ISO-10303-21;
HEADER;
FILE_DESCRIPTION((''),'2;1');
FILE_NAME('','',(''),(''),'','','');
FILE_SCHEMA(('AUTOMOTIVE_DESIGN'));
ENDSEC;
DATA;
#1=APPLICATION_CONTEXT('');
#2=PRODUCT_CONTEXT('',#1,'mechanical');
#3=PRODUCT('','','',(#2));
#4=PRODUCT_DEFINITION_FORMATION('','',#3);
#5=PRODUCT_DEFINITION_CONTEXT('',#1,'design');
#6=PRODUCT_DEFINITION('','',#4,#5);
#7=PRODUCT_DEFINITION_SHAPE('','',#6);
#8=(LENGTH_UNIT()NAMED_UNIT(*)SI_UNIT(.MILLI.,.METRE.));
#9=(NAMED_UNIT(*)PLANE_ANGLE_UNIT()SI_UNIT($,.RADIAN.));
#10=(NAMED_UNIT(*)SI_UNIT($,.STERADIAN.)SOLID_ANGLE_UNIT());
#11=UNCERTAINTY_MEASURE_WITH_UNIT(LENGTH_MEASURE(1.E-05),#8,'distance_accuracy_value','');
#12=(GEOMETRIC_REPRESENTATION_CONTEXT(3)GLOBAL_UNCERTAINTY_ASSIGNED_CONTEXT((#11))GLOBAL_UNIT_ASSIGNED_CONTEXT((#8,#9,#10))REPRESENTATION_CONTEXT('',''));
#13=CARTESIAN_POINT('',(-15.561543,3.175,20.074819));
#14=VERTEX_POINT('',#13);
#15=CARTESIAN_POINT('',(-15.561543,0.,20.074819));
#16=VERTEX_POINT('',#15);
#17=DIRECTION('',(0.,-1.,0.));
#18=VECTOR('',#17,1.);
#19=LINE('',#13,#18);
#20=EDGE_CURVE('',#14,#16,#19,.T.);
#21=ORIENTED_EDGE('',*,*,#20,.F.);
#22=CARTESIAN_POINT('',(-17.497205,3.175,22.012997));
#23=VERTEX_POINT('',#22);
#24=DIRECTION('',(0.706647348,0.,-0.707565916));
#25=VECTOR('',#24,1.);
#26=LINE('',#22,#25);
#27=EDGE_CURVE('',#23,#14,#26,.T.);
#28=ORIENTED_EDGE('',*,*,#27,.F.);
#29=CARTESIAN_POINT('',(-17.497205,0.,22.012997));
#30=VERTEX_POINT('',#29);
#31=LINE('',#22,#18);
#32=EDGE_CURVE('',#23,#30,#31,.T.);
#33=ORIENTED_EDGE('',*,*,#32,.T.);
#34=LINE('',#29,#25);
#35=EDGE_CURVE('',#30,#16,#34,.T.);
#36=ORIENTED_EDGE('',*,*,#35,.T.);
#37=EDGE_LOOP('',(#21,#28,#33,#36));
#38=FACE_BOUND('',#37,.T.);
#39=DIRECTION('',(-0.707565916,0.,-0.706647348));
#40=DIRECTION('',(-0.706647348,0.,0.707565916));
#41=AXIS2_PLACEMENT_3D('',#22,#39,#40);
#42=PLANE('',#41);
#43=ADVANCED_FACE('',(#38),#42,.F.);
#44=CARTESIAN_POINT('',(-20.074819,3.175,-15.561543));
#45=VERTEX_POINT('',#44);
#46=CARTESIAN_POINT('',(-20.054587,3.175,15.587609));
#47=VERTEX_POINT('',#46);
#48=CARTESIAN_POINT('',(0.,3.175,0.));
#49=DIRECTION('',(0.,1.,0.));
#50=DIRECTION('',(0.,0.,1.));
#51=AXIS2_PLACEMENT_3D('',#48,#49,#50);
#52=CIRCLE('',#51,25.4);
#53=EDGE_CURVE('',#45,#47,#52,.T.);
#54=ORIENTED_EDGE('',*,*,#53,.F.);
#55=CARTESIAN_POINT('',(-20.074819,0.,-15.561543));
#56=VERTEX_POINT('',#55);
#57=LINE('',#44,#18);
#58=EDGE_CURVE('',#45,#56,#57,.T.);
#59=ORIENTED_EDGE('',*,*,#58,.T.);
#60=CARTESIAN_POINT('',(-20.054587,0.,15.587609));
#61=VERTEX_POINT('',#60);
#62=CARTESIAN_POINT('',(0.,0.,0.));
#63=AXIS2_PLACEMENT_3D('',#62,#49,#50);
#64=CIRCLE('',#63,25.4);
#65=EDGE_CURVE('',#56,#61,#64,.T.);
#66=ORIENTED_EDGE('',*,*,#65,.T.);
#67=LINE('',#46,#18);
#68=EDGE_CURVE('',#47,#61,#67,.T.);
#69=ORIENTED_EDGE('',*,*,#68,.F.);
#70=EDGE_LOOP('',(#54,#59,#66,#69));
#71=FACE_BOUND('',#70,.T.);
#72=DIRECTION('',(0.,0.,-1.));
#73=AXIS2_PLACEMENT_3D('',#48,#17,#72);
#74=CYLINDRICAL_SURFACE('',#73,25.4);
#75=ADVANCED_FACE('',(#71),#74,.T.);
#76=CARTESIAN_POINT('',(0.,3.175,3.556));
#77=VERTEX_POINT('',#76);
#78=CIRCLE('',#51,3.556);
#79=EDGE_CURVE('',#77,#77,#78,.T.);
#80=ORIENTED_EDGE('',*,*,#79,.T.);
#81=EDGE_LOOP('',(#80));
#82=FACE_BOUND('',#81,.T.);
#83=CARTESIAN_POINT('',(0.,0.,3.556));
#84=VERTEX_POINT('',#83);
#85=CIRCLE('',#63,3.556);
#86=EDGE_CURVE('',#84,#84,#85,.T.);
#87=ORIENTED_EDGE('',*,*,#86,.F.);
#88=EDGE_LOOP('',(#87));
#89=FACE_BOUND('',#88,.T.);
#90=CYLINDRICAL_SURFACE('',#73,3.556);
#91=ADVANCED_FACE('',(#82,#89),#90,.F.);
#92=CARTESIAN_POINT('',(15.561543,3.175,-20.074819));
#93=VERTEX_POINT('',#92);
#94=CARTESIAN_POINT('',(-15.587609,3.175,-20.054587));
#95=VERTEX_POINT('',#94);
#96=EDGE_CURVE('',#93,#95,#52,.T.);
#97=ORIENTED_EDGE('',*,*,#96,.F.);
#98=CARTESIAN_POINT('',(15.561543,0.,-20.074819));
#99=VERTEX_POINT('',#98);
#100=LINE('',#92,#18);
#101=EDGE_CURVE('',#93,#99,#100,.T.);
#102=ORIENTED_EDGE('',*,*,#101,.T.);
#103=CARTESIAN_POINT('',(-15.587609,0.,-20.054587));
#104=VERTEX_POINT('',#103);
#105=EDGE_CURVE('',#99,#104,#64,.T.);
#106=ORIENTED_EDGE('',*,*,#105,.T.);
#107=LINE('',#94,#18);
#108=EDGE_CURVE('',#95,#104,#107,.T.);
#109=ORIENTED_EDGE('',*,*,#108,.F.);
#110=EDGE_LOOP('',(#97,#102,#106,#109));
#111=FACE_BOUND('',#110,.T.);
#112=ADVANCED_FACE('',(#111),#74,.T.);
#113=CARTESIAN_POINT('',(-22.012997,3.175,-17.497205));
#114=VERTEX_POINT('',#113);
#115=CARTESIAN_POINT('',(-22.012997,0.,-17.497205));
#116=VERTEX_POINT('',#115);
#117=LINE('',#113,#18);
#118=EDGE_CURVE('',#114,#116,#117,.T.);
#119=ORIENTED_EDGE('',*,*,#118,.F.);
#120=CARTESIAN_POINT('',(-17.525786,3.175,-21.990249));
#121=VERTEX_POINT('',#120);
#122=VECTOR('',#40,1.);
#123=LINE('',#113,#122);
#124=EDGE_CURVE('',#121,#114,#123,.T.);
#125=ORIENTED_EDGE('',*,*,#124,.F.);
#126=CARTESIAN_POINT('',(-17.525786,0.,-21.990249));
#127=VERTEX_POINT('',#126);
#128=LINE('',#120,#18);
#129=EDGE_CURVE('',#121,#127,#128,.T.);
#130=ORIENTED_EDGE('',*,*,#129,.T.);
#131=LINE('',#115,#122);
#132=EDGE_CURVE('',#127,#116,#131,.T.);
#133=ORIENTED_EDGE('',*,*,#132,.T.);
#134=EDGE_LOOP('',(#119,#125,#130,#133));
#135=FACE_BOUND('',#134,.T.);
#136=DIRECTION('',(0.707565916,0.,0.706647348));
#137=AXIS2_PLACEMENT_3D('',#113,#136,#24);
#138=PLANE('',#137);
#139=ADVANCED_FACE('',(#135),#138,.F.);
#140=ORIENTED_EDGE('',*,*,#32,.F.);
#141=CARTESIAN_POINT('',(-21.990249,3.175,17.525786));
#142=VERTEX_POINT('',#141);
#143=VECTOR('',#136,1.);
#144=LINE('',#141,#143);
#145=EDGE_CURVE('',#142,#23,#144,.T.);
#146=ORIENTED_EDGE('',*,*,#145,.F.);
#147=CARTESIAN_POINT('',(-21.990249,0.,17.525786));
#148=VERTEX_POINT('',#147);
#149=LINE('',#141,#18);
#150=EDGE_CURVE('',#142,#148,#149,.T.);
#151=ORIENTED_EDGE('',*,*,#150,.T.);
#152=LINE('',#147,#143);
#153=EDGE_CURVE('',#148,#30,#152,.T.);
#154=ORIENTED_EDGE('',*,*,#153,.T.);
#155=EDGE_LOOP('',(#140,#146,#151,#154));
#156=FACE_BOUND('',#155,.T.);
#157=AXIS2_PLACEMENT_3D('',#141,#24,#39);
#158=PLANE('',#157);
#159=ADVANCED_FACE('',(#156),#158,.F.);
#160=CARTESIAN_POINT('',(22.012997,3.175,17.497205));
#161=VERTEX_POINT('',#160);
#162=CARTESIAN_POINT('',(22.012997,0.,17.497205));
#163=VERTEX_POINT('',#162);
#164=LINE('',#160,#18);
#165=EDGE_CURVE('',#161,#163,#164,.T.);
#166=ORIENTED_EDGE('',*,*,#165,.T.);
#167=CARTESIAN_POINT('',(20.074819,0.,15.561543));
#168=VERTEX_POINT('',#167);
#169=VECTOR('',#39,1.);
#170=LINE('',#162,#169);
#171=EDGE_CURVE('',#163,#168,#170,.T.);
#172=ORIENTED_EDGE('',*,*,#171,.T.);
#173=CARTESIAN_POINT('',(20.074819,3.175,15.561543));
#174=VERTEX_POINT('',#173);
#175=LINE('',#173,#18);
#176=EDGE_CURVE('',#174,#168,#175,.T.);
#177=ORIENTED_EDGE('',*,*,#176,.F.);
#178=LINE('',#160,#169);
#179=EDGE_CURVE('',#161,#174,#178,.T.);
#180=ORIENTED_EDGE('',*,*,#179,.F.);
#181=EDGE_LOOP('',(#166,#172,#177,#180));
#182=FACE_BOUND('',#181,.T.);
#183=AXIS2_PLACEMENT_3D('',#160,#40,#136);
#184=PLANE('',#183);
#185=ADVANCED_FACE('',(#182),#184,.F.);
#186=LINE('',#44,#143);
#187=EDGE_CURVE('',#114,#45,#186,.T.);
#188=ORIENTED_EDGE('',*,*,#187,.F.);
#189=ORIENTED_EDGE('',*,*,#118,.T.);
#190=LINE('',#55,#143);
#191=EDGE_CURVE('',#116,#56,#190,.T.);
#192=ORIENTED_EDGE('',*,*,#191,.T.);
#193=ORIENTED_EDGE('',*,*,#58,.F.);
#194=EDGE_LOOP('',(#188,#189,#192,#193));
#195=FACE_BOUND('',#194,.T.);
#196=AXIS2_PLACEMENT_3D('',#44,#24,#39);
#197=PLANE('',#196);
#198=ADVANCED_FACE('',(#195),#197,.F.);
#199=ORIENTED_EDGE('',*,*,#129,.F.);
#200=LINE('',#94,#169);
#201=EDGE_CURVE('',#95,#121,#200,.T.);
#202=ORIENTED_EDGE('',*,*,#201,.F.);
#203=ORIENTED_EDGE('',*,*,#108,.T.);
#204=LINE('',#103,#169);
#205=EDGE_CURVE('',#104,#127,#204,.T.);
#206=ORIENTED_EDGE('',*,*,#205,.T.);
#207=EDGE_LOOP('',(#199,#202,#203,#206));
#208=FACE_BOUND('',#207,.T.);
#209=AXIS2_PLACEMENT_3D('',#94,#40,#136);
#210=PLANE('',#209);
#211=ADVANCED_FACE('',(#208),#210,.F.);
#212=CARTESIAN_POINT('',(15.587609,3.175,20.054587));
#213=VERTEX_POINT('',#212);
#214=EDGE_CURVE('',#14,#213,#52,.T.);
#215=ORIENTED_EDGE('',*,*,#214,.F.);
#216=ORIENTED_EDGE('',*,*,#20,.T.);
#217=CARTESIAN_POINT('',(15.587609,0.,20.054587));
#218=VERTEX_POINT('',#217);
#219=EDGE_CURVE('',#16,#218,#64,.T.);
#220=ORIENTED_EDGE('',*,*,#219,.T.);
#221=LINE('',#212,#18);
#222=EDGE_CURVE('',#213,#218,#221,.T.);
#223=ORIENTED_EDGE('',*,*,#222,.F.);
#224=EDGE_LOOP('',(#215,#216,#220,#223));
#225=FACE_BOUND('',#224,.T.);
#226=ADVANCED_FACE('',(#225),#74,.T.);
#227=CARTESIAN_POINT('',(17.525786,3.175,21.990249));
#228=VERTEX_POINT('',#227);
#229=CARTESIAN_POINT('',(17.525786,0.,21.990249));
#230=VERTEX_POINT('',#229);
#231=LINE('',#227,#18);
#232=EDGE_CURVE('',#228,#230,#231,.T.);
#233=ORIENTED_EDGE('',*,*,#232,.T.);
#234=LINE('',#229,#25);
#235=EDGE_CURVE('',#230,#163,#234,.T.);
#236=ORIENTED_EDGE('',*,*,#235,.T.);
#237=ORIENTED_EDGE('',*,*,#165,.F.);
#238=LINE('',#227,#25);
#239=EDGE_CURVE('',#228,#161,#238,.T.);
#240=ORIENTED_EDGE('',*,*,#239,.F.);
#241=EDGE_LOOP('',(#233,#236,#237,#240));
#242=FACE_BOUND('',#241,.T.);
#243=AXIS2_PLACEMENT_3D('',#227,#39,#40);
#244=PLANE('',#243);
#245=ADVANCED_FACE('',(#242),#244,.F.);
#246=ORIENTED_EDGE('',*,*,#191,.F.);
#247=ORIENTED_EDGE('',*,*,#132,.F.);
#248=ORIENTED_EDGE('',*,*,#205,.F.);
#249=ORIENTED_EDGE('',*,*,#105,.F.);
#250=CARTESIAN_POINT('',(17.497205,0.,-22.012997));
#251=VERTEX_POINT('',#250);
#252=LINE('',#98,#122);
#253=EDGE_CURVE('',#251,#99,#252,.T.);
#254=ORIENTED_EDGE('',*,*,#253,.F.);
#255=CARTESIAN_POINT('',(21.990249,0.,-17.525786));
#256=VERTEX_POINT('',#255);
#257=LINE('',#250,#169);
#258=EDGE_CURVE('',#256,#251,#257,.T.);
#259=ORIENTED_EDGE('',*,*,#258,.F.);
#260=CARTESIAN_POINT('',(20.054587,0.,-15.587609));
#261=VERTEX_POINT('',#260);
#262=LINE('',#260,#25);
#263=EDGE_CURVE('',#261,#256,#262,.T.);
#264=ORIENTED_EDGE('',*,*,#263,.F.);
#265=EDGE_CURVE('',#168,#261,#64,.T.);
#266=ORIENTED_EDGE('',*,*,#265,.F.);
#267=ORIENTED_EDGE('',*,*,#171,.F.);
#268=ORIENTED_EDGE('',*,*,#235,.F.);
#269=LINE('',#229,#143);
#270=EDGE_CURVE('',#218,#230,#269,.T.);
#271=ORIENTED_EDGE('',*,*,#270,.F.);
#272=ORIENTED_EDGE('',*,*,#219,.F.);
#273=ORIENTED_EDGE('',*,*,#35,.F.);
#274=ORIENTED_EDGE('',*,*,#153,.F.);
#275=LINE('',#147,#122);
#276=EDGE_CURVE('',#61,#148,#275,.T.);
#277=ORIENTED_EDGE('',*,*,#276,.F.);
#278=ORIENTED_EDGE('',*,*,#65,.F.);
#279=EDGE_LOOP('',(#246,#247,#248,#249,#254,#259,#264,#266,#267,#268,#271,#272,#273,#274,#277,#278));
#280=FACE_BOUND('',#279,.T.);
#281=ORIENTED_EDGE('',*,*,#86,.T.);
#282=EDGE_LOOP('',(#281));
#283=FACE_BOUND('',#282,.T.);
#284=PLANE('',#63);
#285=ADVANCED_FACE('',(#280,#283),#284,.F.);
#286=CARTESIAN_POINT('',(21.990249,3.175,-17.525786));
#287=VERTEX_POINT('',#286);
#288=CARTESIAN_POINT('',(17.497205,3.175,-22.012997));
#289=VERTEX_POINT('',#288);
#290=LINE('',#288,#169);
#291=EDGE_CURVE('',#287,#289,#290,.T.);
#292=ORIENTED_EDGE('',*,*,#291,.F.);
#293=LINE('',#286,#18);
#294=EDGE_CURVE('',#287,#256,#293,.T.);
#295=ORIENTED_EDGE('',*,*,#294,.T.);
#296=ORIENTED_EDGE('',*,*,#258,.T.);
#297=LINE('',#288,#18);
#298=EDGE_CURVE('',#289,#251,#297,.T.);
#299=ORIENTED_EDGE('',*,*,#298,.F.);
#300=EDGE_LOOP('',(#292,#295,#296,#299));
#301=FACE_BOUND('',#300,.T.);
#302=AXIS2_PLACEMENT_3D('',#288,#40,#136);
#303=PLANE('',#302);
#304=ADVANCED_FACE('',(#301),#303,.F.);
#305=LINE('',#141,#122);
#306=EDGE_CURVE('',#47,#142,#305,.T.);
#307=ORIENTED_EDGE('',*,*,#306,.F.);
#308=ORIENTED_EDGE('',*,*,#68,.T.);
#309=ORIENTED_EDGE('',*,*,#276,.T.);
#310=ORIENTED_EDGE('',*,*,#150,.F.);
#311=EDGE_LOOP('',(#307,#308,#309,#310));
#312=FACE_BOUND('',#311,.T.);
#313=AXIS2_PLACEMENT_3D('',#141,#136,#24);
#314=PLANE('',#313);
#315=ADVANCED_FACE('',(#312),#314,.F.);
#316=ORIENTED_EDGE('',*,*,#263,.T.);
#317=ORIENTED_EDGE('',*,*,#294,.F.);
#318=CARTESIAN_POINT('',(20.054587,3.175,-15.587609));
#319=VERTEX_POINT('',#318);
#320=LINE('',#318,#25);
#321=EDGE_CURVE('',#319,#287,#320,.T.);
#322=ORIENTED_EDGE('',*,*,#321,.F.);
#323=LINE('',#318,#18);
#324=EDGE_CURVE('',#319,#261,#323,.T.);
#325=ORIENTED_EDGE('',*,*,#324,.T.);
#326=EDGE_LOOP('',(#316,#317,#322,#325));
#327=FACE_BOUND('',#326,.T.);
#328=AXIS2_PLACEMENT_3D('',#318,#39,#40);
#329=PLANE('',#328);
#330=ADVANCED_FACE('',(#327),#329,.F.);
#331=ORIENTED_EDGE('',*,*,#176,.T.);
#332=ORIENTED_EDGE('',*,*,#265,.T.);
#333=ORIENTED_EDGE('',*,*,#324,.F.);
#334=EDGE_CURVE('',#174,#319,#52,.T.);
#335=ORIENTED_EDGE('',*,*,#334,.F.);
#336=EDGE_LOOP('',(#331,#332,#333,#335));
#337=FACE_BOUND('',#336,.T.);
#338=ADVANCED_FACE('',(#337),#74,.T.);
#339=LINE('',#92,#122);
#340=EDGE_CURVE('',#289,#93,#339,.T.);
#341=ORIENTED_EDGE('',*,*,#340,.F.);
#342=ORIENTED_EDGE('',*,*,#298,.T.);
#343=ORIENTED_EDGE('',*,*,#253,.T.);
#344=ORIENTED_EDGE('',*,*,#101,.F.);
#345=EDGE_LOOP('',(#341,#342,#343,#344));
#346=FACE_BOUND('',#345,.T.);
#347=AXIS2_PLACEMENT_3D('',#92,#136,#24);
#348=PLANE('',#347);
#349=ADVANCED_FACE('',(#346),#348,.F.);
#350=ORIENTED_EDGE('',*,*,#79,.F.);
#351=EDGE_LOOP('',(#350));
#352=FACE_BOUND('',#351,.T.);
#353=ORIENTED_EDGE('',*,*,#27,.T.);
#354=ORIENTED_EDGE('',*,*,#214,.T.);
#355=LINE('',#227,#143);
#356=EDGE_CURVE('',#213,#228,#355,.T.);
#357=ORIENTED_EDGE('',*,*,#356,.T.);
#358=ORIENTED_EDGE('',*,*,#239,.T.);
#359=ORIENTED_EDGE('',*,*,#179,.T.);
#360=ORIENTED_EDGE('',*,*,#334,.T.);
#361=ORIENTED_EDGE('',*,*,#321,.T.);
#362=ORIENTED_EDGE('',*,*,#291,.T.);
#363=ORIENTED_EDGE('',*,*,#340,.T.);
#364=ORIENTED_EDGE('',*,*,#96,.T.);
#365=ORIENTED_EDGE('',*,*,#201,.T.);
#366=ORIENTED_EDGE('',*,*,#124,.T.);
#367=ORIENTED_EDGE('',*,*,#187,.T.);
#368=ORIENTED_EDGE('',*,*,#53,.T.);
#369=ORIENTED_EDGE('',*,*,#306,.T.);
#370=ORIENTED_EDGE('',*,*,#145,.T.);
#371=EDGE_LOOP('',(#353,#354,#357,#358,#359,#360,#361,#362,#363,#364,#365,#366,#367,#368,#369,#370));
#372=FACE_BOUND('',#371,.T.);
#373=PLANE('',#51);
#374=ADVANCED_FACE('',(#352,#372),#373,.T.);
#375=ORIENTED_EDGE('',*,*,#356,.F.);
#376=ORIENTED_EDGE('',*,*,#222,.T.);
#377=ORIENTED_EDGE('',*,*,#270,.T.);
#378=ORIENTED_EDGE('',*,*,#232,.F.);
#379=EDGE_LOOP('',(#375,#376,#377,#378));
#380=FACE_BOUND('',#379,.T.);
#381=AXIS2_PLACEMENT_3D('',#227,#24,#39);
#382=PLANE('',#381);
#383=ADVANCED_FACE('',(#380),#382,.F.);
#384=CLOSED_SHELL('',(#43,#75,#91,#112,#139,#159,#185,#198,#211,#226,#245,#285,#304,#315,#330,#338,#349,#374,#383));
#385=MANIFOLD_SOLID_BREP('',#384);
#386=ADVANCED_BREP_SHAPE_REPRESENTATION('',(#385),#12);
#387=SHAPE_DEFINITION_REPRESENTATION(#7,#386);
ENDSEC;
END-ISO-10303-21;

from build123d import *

# Parameters (mm, degrees)
SKETCH1_R           = 3.556
BOSS_EXTRUDE1_DEPTH = 3.175


with BuildPart() as part:
    # Sketch1 → Boss-Extrude1 (new body)
    with BuildSketch(Plane(origin=(0, 0, 0), x_dir=(1, 0, 0), z_dir=(0, 1, 0))):
        with BuildLine():
            Line((17.525786369, -21.990248683), (15.587608536, -20.05458701))
            ThreePointArc((15.587608536, -20.05458701), (0.016497958, -25.399994642), (-15.561543442, -20.074819195))
            Line((-15.561543442, -20.074819195), (-17.497205115, -22.012997028))
            Line((-17.497205115, -22.012997028), (-21.990248683, -17.525786369))
            Line((-21.990248683, -17.525786369), (-20.05458701, -15.587608536))
            ThreePointArc((-20.05458701, -15.587608536), (-25.399994642, -0.016497958), (-20.074819195, 15.561543442))
            Line((-20.074819195, 15.561543442), (-22.012997028, 17.497205115))
            Line((-22.012997028, 17.497205115), (-17.525786369, 21.990248683))
            Line((-17.525786369, 21.990248683), (-15.587608536, 20.05458701))
            ThreePointArc((-15.587608536, 20.05458701), (-0.016497958, 25.399994642), (15.561543442, 20.074819195))
            Line((15.561543442, 20.074819195), (17.497205115, 22.012997028))
            Line((17.497205115, 22.012997028), (21.990248683, 17.525786369))
            Line((21.990248683, 17.525786369), (20.05458701, 15.587608536))
            ThreePointArc((20.05458701, 15.587608536), (25.399994642, 0.016497958), (20.074819195, -15.561543442))
            Line((20.074819195, -15.561543442), (22.012997028, -17.497205115))
            Line((22.012997028, -17.497205115), (17.525786369, -21.990248683))
        make_face()
        Circle(SKETCH1_R, mode=Mode.SUBTRACT)
    extrude(amount=BOSS_EXTRUDE1_DEPTH)


solid = part.part
